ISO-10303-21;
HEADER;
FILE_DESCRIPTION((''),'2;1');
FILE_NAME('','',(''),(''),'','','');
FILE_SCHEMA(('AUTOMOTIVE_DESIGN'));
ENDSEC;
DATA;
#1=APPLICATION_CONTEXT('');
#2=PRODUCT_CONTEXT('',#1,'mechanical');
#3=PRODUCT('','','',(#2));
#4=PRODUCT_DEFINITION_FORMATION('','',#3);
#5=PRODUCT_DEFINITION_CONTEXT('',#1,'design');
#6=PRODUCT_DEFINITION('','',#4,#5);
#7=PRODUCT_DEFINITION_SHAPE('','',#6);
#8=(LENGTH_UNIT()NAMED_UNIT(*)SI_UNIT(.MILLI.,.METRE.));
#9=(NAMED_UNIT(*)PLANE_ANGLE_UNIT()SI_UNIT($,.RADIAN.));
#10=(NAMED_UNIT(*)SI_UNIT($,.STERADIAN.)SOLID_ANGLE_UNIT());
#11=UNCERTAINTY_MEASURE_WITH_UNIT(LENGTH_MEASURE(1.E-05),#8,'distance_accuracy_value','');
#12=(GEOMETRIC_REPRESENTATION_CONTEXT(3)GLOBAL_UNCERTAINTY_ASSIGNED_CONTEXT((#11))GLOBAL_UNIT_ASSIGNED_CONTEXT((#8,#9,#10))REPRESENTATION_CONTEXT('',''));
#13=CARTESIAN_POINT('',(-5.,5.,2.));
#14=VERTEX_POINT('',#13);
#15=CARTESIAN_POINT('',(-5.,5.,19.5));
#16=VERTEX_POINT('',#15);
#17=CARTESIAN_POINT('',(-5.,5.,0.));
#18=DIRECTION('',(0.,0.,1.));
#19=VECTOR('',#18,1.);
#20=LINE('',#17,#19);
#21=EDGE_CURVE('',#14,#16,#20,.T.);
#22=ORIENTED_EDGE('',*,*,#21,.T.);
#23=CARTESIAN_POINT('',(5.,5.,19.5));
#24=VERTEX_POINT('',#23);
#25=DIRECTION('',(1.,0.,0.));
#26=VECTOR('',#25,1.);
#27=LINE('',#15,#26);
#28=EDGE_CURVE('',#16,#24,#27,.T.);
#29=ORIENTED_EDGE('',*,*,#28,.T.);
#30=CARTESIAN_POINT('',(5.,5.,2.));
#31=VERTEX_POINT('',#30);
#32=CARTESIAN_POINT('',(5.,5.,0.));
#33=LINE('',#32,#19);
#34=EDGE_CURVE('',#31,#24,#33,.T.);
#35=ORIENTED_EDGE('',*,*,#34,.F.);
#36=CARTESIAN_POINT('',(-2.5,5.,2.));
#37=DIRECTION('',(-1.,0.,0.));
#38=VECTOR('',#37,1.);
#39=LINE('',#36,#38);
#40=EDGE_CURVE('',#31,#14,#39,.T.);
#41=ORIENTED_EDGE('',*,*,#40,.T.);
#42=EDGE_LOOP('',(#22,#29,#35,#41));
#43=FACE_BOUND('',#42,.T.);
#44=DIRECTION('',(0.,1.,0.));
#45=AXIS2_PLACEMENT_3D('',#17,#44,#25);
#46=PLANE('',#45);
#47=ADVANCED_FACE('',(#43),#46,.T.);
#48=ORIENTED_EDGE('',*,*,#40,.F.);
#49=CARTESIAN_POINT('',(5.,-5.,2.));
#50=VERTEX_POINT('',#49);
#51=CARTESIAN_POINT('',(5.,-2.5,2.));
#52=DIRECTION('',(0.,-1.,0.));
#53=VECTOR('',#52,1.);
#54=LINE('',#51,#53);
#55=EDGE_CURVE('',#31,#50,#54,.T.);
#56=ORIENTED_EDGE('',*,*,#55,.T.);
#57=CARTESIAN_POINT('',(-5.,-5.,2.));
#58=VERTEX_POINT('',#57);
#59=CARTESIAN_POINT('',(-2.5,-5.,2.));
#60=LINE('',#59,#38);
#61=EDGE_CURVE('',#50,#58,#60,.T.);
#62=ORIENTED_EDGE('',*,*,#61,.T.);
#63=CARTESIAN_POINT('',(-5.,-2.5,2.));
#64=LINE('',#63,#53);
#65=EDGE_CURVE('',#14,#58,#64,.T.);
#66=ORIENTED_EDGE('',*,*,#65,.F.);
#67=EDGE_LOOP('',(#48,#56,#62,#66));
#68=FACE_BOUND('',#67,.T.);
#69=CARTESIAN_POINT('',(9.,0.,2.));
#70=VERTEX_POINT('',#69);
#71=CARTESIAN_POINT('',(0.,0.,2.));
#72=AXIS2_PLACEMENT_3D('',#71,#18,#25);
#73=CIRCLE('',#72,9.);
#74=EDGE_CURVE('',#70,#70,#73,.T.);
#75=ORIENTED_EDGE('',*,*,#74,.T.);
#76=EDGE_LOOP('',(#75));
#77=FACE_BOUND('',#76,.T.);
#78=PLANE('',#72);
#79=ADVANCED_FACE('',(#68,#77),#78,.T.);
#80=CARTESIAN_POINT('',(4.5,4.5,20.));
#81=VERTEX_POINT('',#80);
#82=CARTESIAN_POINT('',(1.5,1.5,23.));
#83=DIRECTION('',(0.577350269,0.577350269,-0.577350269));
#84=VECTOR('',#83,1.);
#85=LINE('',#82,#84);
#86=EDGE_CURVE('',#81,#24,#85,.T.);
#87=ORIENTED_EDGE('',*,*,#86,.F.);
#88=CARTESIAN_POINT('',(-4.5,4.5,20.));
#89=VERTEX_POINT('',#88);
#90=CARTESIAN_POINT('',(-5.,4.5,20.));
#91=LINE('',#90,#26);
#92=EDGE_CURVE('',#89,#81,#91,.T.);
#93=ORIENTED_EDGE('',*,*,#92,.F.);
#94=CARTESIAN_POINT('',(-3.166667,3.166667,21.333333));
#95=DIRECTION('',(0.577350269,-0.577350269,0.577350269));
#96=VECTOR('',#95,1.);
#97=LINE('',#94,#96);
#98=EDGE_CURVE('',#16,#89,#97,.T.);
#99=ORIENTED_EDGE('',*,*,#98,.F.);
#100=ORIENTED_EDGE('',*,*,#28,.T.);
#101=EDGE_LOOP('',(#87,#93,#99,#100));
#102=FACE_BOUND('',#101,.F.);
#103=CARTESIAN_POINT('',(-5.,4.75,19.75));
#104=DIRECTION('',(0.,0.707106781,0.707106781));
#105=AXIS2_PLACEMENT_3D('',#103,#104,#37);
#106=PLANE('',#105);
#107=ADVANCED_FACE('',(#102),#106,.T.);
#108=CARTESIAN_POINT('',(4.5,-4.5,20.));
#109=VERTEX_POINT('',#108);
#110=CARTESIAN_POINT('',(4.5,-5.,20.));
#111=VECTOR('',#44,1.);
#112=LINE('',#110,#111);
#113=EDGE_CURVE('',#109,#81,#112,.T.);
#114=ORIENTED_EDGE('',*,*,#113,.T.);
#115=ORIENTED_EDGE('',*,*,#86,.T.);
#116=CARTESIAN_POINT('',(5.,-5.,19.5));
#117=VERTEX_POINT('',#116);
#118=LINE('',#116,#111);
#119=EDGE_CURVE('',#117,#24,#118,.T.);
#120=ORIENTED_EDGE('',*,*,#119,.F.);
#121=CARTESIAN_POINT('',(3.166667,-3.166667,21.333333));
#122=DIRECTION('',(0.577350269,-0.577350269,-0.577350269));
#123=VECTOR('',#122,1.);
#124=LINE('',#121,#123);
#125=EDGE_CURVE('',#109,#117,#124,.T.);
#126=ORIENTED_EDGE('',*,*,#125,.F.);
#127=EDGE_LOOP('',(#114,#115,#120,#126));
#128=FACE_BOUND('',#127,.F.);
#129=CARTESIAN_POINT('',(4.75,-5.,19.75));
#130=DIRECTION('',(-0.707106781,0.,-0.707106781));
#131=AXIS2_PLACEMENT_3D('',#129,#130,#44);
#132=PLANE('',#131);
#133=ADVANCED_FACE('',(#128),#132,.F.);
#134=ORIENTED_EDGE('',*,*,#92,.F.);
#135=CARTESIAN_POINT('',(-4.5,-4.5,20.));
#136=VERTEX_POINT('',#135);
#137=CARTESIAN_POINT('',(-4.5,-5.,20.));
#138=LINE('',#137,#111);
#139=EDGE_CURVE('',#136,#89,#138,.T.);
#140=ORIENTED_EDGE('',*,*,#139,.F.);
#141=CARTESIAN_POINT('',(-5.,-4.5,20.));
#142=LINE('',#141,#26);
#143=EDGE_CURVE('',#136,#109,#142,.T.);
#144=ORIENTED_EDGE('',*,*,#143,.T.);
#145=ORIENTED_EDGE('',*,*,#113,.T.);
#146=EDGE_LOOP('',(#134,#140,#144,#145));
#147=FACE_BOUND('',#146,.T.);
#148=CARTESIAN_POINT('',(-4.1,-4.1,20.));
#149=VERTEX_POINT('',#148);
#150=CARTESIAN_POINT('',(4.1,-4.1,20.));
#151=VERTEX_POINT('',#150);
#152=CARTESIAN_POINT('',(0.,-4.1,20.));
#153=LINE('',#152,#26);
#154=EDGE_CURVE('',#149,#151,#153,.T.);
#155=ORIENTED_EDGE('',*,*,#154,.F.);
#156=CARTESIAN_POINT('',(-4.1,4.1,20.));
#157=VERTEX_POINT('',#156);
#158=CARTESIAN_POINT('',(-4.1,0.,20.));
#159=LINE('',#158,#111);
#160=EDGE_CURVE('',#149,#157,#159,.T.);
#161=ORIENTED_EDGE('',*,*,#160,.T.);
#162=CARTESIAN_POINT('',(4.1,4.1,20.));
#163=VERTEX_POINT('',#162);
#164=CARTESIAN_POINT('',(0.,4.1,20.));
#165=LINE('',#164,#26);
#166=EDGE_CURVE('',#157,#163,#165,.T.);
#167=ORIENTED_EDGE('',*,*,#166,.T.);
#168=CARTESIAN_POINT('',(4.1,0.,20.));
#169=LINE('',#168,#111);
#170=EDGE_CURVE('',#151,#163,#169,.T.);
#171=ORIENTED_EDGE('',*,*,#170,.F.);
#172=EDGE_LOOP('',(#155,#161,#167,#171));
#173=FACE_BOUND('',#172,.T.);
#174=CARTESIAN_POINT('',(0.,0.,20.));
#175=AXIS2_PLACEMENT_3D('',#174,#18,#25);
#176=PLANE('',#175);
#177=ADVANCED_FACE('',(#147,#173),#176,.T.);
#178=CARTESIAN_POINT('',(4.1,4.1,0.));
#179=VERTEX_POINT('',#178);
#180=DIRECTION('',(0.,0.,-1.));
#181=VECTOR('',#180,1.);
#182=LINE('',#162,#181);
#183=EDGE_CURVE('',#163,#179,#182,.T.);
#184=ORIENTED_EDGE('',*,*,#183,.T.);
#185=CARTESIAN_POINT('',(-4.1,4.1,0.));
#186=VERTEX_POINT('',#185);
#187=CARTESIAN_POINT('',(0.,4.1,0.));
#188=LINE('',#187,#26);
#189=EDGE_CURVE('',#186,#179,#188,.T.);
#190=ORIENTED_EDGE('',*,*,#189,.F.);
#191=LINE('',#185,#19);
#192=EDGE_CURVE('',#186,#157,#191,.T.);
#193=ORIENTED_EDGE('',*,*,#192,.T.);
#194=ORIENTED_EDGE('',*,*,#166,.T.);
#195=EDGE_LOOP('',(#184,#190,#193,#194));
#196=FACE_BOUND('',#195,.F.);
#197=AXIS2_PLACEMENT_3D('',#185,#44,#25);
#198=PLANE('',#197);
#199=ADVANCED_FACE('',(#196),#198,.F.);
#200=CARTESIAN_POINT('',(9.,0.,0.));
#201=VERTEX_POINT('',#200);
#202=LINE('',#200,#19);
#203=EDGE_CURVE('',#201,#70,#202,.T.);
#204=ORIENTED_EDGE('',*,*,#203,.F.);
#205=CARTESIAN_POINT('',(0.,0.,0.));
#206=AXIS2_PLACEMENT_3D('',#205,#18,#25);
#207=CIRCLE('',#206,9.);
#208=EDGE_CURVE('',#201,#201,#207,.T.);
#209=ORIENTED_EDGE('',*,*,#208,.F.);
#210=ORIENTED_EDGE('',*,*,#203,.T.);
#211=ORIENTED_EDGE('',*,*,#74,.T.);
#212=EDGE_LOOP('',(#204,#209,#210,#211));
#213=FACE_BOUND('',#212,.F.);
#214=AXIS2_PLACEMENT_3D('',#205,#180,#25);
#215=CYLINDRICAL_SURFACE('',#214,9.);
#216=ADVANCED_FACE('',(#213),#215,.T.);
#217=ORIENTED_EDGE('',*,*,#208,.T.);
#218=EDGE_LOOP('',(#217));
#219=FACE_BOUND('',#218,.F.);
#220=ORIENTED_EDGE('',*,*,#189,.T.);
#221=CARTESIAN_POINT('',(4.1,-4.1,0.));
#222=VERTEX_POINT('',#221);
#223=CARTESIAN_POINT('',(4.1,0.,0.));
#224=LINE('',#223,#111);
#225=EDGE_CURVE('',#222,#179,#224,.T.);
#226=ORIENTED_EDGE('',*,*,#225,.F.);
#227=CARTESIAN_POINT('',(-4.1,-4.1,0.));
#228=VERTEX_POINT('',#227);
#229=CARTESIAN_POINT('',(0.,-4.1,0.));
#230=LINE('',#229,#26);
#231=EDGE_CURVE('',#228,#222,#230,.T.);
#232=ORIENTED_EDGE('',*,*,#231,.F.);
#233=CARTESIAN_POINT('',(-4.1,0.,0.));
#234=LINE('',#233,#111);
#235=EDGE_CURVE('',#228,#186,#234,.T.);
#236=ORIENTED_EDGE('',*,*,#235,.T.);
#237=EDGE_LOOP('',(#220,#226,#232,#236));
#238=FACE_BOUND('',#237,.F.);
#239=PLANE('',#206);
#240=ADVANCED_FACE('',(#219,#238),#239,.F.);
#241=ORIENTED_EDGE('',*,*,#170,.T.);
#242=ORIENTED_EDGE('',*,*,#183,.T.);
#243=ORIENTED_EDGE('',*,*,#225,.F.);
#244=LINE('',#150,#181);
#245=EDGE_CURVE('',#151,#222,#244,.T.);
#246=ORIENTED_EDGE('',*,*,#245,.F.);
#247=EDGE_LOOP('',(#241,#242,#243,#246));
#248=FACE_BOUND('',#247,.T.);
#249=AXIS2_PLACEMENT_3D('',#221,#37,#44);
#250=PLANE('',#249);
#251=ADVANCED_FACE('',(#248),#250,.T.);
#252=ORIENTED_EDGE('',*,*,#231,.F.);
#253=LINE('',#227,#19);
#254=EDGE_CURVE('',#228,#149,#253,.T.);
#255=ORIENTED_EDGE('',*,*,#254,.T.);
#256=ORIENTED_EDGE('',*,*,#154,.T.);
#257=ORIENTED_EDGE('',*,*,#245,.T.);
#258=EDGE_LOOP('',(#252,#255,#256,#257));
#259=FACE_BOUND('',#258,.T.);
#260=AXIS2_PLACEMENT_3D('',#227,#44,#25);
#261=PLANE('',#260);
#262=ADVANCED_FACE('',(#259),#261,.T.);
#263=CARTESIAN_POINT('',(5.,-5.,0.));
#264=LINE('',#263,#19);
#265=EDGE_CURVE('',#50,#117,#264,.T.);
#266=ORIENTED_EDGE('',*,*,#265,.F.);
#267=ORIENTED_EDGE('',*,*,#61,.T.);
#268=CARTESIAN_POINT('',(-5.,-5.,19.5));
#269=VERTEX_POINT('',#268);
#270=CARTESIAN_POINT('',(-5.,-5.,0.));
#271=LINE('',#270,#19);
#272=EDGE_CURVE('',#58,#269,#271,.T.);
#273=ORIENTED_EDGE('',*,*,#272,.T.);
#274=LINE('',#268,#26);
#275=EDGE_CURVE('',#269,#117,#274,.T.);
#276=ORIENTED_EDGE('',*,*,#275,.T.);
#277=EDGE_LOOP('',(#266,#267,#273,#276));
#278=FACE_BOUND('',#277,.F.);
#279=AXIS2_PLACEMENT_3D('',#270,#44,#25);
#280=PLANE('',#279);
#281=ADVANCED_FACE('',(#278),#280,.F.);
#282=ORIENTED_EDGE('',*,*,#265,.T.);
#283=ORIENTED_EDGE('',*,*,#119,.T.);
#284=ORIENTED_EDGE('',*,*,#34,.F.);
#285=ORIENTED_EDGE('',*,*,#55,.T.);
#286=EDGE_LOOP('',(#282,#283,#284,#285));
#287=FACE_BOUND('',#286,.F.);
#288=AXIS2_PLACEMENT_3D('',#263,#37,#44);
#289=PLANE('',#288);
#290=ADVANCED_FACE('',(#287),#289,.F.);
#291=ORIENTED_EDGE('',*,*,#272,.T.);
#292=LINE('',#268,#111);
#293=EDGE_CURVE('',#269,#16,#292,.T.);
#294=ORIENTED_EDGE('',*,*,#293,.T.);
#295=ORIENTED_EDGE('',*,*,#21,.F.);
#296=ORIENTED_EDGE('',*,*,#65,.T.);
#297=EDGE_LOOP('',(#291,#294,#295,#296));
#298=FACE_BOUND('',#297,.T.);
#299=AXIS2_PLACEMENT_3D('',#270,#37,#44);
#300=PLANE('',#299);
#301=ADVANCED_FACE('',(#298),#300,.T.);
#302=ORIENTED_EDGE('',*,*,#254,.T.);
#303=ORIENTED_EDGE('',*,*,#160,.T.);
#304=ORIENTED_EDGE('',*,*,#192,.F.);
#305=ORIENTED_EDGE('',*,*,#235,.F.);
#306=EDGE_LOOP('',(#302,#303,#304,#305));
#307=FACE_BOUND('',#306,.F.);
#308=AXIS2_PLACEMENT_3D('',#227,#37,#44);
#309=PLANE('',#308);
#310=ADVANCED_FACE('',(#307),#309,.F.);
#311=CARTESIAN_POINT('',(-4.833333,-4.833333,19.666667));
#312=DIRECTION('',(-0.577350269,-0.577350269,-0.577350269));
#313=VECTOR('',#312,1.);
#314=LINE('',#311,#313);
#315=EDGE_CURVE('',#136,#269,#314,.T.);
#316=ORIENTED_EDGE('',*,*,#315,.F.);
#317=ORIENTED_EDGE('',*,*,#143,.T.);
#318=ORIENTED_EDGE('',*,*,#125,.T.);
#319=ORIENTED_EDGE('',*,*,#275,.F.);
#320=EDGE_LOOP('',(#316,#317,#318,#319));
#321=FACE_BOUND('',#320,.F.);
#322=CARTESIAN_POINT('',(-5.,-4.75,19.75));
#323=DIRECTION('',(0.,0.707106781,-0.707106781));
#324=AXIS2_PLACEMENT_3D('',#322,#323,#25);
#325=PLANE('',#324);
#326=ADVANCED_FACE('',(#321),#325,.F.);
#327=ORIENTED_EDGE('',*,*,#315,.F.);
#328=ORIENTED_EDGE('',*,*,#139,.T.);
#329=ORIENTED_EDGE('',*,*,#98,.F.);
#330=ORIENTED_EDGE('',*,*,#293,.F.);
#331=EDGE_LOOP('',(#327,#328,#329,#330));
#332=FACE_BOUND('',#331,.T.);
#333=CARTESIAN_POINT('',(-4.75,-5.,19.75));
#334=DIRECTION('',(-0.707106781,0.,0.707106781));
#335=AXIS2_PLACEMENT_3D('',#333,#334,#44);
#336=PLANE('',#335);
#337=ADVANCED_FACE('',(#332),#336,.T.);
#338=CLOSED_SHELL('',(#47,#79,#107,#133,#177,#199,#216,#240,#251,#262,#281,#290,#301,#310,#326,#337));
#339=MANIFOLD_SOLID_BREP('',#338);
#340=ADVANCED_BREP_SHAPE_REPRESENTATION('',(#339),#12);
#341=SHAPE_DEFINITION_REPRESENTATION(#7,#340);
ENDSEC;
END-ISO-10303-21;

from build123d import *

# Parameters (mm, degrees)
F0_R     = 9
F0_W     = 10
F0_H     = 10
F0_W_2   = 8.2
F0_H_2   = 8.2
F1_DEPTH = 2
F2_DEPTH = 20
F3_SIZE  = 0.5


with BuildPart() as f1:
    # F0 (on Top) → F1 (new body)
    with BuildSketch(Plane.XY):
        Circle(F0_R)
        Rectangle(F0_W, F0_H, mode=Mode.SUBTRACT)
        Rectangle(F0_W, F0_H)
        Rectangle(F0_W_2, F0_H_2, mode=Mode.SUBTRACT)
    extrude(amount=F1_DEPTH)

    # F0 (on Top) → F2 (join)
    with BuildSketch(Plane.XY):
        Rectangle(F0_W, F0_H)
        Rectangle(F0_W_2, F0_H_2, mode=Mode.SUBTRACT)
    extrude(amount=F2_DEPTH)

    # F3
    f3_edges = [f1.edges().sort_by_distance(p)[0] for p in [
        (0, -5, 20),
        (5, 0, 20),
        (0, 5, 20),
        (-5, 0, 20),
    ]]
    chamfer(f3_edges, length=F3_SIZE)


solid = f1.part
